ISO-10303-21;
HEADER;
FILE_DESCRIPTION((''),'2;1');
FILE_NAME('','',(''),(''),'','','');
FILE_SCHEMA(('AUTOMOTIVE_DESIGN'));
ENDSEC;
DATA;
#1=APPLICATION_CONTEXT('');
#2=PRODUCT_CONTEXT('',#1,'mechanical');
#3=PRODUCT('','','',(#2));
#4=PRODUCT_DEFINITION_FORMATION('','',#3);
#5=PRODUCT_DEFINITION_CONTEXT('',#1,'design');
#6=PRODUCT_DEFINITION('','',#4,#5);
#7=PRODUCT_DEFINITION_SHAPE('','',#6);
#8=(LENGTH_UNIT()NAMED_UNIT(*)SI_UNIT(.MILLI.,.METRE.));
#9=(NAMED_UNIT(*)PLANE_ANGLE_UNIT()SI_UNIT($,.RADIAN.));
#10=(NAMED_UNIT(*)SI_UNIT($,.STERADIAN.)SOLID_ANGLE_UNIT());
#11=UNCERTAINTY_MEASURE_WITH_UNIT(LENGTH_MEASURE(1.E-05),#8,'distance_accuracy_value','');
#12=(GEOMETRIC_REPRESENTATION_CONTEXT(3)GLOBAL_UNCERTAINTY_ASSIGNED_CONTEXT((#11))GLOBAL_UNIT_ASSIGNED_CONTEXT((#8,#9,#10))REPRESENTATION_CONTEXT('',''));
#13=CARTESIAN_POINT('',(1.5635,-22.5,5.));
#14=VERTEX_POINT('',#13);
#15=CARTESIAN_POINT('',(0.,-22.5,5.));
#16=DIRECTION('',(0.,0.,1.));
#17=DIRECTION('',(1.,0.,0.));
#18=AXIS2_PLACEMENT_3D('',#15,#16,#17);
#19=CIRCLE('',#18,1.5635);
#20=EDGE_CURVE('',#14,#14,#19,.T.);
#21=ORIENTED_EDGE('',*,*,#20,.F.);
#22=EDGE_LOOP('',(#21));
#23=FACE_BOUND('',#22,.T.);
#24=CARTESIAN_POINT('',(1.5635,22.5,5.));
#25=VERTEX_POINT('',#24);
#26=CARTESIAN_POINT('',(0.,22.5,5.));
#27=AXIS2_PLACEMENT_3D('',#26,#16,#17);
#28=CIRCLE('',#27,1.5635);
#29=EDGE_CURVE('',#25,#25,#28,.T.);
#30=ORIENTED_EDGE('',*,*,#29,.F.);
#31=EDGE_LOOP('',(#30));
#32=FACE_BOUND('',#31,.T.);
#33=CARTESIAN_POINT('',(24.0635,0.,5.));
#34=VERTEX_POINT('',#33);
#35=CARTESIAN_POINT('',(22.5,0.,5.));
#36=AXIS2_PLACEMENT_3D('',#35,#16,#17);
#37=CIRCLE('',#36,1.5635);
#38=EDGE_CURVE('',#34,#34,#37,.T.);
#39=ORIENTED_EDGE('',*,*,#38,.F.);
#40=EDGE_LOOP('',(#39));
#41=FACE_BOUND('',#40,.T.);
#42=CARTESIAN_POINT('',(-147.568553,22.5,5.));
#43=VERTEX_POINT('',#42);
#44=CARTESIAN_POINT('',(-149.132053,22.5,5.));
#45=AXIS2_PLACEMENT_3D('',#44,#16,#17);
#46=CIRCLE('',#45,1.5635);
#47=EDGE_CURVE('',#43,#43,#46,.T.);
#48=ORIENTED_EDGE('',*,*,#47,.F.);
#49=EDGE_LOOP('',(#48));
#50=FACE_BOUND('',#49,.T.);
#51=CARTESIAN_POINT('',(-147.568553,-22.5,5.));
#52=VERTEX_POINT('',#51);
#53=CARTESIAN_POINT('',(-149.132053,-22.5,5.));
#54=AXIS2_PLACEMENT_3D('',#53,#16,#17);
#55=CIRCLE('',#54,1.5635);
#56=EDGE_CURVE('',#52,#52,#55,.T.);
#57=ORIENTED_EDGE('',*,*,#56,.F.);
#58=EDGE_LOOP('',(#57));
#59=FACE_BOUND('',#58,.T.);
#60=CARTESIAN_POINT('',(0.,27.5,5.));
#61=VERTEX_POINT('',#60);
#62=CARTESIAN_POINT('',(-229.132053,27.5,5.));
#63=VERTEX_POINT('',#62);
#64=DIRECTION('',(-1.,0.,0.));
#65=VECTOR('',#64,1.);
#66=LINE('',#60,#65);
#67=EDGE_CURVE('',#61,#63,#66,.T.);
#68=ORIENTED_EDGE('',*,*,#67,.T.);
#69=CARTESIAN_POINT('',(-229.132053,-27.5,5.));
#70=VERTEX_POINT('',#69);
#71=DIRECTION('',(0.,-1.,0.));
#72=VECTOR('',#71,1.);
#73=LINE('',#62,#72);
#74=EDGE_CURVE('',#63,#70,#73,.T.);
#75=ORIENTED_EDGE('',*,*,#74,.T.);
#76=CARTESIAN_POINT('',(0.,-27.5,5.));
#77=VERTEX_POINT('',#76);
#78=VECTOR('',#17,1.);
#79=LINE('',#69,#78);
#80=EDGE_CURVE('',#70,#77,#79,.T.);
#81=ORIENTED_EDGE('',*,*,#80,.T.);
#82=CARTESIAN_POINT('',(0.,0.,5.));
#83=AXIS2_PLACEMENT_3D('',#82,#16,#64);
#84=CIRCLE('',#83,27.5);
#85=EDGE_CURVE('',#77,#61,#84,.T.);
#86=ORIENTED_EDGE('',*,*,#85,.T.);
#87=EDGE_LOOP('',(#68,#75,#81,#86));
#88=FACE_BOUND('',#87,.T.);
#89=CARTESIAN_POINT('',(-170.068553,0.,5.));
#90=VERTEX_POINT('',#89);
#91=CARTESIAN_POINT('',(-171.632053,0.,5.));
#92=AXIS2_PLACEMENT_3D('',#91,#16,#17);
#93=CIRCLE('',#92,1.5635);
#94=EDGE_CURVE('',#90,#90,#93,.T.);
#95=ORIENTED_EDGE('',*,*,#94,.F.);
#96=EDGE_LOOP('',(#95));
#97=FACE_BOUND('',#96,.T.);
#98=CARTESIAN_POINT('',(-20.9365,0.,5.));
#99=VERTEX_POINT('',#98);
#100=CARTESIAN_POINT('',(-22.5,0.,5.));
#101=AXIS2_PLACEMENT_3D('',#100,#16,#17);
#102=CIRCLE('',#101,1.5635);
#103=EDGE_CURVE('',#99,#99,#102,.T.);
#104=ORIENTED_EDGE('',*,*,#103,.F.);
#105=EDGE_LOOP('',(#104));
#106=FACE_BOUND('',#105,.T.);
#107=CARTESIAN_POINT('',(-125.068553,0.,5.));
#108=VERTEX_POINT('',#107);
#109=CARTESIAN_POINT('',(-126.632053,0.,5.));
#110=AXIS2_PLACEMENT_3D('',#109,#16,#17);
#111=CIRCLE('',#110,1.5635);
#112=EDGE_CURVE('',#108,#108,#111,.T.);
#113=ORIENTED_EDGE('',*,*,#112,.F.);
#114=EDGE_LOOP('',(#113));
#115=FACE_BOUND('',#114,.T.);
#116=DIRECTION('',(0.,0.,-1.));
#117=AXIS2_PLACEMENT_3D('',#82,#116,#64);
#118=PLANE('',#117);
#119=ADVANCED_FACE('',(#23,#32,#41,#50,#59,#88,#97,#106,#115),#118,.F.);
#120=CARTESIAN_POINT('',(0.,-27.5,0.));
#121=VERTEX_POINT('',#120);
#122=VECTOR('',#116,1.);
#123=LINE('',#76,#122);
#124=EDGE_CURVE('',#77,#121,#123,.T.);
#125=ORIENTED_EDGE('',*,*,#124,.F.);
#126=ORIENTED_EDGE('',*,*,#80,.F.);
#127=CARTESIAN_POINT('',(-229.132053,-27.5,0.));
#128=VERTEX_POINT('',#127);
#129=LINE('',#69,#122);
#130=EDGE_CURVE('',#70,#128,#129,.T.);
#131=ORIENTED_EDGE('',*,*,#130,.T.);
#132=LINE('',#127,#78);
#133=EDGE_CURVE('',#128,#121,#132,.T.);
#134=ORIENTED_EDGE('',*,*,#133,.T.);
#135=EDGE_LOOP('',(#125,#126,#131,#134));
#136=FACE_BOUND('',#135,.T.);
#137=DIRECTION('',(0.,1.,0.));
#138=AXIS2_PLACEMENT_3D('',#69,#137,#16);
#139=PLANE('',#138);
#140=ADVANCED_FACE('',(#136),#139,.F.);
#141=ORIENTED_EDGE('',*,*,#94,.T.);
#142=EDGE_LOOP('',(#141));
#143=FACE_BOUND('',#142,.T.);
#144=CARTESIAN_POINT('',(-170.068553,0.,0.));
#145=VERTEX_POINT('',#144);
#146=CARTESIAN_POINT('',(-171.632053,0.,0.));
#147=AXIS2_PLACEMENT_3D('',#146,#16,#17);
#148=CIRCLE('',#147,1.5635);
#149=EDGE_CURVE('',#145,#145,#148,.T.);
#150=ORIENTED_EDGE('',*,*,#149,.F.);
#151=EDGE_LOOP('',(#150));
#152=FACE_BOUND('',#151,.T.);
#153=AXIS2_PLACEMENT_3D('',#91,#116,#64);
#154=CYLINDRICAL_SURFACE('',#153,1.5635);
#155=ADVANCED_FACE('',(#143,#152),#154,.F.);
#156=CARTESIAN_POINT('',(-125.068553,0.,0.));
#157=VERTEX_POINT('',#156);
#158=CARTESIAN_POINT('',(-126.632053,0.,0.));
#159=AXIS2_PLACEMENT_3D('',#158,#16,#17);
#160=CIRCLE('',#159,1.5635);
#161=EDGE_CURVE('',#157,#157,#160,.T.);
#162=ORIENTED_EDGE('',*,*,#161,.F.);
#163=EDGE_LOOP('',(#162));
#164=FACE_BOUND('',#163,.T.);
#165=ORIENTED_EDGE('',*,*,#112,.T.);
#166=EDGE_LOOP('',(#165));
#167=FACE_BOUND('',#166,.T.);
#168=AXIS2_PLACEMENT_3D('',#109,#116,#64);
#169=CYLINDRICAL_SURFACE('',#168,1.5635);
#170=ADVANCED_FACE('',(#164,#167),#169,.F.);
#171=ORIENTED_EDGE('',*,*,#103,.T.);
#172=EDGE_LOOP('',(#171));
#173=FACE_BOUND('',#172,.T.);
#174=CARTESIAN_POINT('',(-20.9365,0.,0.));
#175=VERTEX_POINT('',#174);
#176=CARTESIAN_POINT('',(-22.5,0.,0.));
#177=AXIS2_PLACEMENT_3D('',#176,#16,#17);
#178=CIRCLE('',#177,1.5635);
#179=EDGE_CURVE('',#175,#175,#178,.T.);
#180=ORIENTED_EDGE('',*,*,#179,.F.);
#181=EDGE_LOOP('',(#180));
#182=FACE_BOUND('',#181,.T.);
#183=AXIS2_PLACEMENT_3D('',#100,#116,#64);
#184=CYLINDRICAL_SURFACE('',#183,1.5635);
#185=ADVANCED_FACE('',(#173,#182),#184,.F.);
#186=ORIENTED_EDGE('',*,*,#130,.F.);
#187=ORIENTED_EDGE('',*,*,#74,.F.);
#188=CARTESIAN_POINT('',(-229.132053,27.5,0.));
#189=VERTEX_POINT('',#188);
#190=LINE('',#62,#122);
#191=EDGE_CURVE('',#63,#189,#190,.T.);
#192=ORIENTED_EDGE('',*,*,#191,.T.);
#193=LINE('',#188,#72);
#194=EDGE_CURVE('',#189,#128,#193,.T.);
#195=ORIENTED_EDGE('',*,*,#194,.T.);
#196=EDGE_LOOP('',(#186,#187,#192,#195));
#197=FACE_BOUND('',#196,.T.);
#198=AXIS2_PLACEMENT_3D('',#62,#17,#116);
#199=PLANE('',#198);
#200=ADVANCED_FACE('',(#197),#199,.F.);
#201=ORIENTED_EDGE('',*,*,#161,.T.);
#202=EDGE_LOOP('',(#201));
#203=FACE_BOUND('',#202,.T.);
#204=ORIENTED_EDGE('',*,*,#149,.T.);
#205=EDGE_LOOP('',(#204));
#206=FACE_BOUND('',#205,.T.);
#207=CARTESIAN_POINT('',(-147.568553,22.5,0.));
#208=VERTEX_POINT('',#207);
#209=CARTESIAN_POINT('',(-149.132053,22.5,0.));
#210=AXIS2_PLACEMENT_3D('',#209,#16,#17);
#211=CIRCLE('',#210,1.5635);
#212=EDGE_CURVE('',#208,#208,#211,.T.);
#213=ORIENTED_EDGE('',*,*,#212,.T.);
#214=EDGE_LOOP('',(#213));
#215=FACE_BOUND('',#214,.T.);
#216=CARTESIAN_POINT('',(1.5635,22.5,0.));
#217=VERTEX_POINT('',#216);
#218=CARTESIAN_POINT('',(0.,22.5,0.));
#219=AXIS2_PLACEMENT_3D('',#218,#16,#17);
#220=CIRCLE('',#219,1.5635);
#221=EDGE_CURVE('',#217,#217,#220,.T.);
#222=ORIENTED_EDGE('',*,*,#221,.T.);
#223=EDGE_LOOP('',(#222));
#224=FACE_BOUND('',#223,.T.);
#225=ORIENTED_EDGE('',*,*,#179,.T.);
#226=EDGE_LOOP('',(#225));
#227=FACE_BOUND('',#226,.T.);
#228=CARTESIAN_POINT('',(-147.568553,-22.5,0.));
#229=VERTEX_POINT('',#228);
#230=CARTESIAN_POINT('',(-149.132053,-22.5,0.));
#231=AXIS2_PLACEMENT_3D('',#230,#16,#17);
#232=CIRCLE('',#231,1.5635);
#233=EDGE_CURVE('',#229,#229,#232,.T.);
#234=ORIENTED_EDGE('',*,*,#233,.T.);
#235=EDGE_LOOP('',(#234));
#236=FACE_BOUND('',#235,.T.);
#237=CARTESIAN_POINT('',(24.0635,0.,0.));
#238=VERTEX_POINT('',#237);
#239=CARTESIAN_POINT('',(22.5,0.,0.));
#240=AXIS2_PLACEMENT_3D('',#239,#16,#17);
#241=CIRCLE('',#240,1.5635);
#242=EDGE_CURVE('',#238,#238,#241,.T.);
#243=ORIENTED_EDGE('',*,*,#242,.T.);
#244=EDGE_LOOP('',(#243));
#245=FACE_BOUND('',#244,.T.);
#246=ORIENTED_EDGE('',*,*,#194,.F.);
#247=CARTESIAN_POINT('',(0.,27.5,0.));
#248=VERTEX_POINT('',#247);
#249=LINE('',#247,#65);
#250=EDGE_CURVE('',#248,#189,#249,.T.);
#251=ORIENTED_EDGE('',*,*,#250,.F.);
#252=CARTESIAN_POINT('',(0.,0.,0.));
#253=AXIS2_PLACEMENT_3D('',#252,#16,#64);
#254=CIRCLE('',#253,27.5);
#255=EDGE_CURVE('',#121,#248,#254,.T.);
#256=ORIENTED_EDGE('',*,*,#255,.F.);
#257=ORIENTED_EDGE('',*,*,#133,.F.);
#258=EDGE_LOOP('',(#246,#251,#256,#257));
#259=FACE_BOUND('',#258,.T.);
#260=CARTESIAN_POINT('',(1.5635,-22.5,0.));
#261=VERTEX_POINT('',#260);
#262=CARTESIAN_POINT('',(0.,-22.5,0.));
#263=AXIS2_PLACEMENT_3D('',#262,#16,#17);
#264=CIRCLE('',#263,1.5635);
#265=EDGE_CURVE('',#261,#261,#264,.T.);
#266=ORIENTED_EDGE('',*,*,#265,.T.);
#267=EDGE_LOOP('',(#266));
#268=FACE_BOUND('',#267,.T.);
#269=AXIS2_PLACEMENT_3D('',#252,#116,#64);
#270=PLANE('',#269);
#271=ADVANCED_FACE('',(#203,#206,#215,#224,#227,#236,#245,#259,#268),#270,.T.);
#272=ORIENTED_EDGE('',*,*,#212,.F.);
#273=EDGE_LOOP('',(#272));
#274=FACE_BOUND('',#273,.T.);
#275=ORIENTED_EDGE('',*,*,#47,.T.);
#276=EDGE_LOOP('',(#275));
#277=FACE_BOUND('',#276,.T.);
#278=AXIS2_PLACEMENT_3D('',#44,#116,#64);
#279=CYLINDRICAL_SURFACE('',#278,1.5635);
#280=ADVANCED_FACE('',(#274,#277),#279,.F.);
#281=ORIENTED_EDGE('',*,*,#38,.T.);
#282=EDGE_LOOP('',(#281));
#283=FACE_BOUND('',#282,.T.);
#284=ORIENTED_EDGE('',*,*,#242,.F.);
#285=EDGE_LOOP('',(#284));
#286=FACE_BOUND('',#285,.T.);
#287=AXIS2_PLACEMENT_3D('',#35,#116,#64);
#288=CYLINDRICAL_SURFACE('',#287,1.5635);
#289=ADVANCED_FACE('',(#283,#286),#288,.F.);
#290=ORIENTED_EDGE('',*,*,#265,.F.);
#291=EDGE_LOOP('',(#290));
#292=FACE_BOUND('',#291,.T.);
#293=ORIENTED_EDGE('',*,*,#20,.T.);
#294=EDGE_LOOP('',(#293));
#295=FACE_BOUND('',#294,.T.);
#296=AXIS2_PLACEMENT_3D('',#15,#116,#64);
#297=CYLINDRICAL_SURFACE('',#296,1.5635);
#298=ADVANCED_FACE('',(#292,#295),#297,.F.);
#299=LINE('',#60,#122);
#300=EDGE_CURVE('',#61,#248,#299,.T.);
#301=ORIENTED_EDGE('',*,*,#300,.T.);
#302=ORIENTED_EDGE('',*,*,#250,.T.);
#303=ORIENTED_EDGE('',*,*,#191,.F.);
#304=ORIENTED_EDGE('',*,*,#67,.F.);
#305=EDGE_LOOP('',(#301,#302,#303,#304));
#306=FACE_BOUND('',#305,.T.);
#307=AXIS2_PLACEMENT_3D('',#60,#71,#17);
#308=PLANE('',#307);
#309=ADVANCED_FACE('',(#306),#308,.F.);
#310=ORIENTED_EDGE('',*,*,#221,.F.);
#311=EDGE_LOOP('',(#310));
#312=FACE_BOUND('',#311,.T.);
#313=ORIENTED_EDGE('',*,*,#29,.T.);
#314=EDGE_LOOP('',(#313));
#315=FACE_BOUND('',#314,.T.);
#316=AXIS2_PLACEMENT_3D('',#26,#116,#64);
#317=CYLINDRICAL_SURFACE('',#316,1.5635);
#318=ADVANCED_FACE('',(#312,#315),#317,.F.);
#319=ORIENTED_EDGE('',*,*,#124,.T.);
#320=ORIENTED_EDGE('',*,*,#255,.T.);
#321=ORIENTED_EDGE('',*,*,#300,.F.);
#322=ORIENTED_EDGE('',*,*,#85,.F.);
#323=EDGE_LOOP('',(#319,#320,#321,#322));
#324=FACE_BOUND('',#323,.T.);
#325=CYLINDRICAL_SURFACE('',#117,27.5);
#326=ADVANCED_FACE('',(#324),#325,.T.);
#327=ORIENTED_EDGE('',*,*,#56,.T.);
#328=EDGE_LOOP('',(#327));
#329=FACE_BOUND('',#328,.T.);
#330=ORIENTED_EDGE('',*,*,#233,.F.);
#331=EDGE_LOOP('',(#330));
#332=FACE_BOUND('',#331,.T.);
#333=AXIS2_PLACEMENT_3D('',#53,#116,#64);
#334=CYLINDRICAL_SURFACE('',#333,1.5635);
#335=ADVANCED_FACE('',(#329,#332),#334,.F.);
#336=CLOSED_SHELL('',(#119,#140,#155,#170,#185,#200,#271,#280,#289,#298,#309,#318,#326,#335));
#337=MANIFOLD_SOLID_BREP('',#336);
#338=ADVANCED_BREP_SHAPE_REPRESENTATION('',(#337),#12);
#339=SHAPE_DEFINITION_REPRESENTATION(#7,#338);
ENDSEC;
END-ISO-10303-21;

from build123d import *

# Parameters (mm, degrees)
SKETCH2_R           = 1.5635
BOSS_EXTRUDE1_DEPTH = 5


with BuildPart() as part:
    # Sketch2 → Boss-Extrude1 (new body)
    with BuildSketch(Plane.XY):
        with BuildLine():
            Line((0, 27.5), (-229.132053392, 27.5))
            Line((-229.132053392, 27.5), (-229.132053392, -27.5))
            Line((-229.132053392, -27.5), (0, -27.5))
            ThreePointArc((0, -27.5), (27.5, 0), (0, 27.5))
        make_face()
        with Locations((0, 22.5)):
            Circle(SKETCH2_R, mode=Mode.SUBTRACT)
        with Locations((22.5, 0)):
            Circle(SKETCH2_R, mode=Mode.SUBTRACT)
        with Locations((0, -22.5)):
            Circle(SKETCH2_R, mode=Mode.SUBTRACT)
        with Locations((-22.5, 0)):
            Circle(SKETCH2_R, mode=Mode.SUBTRACT)
        with Locations((-171.632053392, 0)):
            Circle(SKETCH2_R, mode=Mode.SUBTRACT)
        with Locations((-149.132053392, 22.5)):
            Circle(SKETCH2_R, mode=Mode.SUBTRACT)
        with Locations((-126.632053392, 0)):
            Circle(SKETCH2_R, mode=Mode.SUBTRACT)
        with Locations((-149.132053392, -22.5)):
            Circle(SKETCH2_R, mode=Mode.SUBTRACT)
    extrude(amount=BOSS_EXTRUDE1_DEPTH)


solid = part.part
